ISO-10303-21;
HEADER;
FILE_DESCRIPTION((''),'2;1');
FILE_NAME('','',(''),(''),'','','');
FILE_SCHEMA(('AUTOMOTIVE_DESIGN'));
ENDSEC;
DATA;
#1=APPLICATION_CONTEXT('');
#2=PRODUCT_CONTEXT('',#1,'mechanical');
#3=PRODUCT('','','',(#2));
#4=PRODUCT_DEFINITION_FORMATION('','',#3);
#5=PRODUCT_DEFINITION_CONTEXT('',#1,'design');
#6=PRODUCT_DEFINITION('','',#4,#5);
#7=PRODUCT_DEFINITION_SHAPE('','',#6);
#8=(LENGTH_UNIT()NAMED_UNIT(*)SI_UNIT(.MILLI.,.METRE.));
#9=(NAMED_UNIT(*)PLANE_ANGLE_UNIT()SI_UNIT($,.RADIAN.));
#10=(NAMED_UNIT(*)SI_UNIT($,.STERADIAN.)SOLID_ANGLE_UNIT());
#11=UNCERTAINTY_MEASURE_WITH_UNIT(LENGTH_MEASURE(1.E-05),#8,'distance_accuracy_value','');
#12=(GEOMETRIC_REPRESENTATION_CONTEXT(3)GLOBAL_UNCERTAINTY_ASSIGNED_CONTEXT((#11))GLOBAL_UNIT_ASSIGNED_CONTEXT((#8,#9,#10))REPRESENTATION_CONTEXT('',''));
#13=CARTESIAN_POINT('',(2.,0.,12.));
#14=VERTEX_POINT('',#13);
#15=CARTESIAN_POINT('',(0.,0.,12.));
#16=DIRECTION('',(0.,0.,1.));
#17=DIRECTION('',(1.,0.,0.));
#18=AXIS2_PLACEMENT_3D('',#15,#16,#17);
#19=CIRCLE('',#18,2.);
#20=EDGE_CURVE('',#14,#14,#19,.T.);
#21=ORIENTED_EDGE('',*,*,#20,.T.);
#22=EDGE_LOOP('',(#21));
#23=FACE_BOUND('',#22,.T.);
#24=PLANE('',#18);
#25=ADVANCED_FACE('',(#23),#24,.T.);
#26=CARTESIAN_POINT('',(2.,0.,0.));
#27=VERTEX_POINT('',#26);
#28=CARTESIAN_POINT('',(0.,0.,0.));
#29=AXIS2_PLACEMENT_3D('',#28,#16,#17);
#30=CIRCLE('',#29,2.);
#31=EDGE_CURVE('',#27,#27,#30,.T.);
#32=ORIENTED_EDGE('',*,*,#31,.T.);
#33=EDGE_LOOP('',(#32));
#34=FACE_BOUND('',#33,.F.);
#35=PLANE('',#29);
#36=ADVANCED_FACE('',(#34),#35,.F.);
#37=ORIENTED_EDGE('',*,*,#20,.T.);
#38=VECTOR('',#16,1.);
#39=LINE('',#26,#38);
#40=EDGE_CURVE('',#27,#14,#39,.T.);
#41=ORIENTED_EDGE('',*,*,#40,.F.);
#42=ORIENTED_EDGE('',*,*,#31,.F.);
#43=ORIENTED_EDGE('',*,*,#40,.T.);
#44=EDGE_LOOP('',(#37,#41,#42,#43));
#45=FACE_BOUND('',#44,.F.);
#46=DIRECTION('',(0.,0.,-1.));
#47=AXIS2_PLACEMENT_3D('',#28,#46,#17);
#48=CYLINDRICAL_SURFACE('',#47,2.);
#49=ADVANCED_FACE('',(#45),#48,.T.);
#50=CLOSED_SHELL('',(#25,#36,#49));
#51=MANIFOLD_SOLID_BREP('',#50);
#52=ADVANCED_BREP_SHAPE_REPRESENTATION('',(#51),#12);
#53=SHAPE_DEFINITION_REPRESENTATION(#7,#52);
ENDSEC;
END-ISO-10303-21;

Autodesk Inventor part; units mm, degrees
ref_plane "YZ Plane" through (0, 0, 0) normal (1, 0, 0) x (0, 1, 0)
ref_plane "XZ Plane" through (0, 0, 0) normal (0, 1, 0) x (-1, 0, 0)
ref_plane "XY Plane" through (0, 0, 0) normal (0, 0, 1) x (1, 0, 0)
sketch "Sketch1" plane through (0, 0, 0) normal (0, 0, 1) x (1, 0, 0)
  circle A0 centre (0, 0) radius 2
  dimension "d0" = 4
extrude "Extrusion1" add sketch "Sketch1" along normal blind 12
properties part number "LegPin"
